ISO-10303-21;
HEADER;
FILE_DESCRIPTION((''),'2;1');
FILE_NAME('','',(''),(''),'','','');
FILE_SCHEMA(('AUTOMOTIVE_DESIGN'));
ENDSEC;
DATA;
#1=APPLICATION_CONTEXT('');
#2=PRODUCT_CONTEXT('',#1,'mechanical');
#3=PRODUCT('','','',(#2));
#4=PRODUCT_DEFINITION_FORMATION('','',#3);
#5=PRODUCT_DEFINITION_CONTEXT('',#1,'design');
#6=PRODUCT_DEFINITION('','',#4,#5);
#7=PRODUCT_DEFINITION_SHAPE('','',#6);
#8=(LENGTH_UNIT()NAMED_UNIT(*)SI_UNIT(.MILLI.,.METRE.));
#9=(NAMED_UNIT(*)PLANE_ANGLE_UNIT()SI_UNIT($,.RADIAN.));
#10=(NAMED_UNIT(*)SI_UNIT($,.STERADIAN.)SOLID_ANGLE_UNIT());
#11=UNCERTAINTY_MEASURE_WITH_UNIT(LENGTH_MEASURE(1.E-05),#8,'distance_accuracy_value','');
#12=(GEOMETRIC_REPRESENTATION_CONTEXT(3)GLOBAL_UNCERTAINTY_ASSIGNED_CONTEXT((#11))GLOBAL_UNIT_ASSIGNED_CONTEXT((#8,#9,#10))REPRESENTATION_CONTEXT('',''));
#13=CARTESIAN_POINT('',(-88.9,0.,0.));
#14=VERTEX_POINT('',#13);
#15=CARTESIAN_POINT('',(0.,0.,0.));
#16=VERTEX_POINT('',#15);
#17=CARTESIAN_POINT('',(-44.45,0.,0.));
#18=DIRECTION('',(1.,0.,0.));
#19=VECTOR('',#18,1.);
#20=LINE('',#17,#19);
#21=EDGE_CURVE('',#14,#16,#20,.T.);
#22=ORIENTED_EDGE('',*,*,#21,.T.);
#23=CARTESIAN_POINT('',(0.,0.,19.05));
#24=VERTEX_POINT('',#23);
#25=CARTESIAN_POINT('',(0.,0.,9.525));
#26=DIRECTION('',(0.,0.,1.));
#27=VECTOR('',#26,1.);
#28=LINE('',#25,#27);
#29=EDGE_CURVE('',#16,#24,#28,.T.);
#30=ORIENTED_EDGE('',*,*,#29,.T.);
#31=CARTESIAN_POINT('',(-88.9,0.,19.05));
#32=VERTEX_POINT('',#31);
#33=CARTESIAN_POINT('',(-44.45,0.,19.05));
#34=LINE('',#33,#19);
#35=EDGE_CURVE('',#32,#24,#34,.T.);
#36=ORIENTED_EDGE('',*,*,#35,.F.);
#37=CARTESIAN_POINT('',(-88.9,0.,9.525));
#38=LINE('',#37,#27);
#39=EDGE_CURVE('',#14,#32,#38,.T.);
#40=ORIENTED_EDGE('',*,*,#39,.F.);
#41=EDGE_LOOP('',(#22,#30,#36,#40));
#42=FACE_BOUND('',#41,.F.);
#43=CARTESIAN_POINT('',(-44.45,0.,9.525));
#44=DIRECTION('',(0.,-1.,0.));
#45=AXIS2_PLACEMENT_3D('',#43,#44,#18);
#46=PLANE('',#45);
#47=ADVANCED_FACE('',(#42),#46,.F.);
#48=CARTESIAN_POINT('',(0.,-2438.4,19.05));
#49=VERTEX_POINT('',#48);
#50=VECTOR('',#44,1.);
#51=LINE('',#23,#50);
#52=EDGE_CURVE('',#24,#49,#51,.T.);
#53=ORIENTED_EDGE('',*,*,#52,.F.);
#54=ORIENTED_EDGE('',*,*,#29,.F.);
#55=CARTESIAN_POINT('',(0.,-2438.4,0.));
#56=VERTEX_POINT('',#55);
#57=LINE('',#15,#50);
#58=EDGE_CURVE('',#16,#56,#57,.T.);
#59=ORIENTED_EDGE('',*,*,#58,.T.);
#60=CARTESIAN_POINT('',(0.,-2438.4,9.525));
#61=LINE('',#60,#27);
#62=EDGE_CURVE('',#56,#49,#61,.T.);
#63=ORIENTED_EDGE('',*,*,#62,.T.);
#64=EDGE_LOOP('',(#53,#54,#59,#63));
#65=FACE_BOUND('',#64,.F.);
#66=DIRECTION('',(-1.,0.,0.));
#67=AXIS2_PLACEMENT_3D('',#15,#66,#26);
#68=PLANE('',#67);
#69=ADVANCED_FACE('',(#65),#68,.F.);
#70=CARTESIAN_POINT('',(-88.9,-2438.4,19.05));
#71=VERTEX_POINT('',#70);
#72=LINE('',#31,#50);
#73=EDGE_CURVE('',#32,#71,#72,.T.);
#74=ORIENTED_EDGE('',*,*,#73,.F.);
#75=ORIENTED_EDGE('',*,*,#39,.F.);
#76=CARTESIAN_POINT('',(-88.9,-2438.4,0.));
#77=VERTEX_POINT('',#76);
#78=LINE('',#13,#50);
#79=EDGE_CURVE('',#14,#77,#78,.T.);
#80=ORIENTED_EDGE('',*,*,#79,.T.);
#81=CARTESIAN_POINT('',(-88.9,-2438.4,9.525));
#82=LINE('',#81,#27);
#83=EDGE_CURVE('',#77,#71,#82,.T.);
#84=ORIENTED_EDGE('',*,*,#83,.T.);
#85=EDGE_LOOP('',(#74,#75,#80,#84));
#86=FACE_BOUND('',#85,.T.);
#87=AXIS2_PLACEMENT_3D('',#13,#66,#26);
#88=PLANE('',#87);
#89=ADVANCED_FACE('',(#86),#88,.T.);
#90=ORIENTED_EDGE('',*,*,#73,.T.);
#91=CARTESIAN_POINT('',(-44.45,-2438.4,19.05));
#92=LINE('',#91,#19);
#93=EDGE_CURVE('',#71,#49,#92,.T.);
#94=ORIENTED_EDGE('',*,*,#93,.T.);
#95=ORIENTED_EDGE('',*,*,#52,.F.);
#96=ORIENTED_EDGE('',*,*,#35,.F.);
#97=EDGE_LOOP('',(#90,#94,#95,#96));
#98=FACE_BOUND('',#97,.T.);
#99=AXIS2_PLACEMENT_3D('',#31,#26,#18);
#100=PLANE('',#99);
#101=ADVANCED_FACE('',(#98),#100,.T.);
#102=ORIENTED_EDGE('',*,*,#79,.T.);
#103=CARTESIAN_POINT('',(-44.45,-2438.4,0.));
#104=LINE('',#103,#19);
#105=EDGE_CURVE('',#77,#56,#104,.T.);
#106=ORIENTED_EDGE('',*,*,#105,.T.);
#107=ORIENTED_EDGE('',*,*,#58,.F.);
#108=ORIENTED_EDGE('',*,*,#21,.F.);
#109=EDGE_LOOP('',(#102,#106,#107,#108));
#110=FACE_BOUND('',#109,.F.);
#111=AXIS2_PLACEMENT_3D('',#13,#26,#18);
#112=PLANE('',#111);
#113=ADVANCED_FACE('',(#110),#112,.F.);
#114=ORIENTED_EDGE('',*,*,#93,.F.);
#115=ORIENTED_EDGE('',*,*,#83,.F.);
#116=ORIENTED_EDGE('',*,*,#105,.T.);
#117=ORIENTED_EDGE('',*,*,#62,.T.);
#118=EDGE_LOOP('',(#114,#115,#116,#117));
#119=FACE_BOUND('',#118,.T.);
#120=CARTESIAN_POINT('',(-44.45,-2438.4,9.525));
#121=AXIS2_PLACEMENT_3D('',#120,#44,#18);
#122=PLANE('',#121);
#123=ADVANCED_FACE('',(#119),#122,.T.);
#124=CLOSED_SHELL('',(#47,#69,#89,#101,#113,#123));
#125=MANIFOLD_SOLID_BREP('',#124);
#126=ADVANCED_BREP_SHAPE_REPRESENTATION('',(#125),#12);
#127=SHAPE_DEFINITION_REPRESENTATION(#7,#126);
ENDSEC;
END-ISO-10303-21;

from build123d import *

# Parameters (mm, degrees)
SKETCH_W  = 88.9
SKETCH_H  = 19.05
PAD_DEPTH = 2438.4


with BuildPart() as part:
    # Sketch → Pad (new body)
    with BuildSketch(Plane.XZ):
        with Locations((-44.45, 9.525)):
            Rectangle(SKETCH_W, SKETCH_H)
    extrude(amount=PAD_DEPTH)


solid = part.part
